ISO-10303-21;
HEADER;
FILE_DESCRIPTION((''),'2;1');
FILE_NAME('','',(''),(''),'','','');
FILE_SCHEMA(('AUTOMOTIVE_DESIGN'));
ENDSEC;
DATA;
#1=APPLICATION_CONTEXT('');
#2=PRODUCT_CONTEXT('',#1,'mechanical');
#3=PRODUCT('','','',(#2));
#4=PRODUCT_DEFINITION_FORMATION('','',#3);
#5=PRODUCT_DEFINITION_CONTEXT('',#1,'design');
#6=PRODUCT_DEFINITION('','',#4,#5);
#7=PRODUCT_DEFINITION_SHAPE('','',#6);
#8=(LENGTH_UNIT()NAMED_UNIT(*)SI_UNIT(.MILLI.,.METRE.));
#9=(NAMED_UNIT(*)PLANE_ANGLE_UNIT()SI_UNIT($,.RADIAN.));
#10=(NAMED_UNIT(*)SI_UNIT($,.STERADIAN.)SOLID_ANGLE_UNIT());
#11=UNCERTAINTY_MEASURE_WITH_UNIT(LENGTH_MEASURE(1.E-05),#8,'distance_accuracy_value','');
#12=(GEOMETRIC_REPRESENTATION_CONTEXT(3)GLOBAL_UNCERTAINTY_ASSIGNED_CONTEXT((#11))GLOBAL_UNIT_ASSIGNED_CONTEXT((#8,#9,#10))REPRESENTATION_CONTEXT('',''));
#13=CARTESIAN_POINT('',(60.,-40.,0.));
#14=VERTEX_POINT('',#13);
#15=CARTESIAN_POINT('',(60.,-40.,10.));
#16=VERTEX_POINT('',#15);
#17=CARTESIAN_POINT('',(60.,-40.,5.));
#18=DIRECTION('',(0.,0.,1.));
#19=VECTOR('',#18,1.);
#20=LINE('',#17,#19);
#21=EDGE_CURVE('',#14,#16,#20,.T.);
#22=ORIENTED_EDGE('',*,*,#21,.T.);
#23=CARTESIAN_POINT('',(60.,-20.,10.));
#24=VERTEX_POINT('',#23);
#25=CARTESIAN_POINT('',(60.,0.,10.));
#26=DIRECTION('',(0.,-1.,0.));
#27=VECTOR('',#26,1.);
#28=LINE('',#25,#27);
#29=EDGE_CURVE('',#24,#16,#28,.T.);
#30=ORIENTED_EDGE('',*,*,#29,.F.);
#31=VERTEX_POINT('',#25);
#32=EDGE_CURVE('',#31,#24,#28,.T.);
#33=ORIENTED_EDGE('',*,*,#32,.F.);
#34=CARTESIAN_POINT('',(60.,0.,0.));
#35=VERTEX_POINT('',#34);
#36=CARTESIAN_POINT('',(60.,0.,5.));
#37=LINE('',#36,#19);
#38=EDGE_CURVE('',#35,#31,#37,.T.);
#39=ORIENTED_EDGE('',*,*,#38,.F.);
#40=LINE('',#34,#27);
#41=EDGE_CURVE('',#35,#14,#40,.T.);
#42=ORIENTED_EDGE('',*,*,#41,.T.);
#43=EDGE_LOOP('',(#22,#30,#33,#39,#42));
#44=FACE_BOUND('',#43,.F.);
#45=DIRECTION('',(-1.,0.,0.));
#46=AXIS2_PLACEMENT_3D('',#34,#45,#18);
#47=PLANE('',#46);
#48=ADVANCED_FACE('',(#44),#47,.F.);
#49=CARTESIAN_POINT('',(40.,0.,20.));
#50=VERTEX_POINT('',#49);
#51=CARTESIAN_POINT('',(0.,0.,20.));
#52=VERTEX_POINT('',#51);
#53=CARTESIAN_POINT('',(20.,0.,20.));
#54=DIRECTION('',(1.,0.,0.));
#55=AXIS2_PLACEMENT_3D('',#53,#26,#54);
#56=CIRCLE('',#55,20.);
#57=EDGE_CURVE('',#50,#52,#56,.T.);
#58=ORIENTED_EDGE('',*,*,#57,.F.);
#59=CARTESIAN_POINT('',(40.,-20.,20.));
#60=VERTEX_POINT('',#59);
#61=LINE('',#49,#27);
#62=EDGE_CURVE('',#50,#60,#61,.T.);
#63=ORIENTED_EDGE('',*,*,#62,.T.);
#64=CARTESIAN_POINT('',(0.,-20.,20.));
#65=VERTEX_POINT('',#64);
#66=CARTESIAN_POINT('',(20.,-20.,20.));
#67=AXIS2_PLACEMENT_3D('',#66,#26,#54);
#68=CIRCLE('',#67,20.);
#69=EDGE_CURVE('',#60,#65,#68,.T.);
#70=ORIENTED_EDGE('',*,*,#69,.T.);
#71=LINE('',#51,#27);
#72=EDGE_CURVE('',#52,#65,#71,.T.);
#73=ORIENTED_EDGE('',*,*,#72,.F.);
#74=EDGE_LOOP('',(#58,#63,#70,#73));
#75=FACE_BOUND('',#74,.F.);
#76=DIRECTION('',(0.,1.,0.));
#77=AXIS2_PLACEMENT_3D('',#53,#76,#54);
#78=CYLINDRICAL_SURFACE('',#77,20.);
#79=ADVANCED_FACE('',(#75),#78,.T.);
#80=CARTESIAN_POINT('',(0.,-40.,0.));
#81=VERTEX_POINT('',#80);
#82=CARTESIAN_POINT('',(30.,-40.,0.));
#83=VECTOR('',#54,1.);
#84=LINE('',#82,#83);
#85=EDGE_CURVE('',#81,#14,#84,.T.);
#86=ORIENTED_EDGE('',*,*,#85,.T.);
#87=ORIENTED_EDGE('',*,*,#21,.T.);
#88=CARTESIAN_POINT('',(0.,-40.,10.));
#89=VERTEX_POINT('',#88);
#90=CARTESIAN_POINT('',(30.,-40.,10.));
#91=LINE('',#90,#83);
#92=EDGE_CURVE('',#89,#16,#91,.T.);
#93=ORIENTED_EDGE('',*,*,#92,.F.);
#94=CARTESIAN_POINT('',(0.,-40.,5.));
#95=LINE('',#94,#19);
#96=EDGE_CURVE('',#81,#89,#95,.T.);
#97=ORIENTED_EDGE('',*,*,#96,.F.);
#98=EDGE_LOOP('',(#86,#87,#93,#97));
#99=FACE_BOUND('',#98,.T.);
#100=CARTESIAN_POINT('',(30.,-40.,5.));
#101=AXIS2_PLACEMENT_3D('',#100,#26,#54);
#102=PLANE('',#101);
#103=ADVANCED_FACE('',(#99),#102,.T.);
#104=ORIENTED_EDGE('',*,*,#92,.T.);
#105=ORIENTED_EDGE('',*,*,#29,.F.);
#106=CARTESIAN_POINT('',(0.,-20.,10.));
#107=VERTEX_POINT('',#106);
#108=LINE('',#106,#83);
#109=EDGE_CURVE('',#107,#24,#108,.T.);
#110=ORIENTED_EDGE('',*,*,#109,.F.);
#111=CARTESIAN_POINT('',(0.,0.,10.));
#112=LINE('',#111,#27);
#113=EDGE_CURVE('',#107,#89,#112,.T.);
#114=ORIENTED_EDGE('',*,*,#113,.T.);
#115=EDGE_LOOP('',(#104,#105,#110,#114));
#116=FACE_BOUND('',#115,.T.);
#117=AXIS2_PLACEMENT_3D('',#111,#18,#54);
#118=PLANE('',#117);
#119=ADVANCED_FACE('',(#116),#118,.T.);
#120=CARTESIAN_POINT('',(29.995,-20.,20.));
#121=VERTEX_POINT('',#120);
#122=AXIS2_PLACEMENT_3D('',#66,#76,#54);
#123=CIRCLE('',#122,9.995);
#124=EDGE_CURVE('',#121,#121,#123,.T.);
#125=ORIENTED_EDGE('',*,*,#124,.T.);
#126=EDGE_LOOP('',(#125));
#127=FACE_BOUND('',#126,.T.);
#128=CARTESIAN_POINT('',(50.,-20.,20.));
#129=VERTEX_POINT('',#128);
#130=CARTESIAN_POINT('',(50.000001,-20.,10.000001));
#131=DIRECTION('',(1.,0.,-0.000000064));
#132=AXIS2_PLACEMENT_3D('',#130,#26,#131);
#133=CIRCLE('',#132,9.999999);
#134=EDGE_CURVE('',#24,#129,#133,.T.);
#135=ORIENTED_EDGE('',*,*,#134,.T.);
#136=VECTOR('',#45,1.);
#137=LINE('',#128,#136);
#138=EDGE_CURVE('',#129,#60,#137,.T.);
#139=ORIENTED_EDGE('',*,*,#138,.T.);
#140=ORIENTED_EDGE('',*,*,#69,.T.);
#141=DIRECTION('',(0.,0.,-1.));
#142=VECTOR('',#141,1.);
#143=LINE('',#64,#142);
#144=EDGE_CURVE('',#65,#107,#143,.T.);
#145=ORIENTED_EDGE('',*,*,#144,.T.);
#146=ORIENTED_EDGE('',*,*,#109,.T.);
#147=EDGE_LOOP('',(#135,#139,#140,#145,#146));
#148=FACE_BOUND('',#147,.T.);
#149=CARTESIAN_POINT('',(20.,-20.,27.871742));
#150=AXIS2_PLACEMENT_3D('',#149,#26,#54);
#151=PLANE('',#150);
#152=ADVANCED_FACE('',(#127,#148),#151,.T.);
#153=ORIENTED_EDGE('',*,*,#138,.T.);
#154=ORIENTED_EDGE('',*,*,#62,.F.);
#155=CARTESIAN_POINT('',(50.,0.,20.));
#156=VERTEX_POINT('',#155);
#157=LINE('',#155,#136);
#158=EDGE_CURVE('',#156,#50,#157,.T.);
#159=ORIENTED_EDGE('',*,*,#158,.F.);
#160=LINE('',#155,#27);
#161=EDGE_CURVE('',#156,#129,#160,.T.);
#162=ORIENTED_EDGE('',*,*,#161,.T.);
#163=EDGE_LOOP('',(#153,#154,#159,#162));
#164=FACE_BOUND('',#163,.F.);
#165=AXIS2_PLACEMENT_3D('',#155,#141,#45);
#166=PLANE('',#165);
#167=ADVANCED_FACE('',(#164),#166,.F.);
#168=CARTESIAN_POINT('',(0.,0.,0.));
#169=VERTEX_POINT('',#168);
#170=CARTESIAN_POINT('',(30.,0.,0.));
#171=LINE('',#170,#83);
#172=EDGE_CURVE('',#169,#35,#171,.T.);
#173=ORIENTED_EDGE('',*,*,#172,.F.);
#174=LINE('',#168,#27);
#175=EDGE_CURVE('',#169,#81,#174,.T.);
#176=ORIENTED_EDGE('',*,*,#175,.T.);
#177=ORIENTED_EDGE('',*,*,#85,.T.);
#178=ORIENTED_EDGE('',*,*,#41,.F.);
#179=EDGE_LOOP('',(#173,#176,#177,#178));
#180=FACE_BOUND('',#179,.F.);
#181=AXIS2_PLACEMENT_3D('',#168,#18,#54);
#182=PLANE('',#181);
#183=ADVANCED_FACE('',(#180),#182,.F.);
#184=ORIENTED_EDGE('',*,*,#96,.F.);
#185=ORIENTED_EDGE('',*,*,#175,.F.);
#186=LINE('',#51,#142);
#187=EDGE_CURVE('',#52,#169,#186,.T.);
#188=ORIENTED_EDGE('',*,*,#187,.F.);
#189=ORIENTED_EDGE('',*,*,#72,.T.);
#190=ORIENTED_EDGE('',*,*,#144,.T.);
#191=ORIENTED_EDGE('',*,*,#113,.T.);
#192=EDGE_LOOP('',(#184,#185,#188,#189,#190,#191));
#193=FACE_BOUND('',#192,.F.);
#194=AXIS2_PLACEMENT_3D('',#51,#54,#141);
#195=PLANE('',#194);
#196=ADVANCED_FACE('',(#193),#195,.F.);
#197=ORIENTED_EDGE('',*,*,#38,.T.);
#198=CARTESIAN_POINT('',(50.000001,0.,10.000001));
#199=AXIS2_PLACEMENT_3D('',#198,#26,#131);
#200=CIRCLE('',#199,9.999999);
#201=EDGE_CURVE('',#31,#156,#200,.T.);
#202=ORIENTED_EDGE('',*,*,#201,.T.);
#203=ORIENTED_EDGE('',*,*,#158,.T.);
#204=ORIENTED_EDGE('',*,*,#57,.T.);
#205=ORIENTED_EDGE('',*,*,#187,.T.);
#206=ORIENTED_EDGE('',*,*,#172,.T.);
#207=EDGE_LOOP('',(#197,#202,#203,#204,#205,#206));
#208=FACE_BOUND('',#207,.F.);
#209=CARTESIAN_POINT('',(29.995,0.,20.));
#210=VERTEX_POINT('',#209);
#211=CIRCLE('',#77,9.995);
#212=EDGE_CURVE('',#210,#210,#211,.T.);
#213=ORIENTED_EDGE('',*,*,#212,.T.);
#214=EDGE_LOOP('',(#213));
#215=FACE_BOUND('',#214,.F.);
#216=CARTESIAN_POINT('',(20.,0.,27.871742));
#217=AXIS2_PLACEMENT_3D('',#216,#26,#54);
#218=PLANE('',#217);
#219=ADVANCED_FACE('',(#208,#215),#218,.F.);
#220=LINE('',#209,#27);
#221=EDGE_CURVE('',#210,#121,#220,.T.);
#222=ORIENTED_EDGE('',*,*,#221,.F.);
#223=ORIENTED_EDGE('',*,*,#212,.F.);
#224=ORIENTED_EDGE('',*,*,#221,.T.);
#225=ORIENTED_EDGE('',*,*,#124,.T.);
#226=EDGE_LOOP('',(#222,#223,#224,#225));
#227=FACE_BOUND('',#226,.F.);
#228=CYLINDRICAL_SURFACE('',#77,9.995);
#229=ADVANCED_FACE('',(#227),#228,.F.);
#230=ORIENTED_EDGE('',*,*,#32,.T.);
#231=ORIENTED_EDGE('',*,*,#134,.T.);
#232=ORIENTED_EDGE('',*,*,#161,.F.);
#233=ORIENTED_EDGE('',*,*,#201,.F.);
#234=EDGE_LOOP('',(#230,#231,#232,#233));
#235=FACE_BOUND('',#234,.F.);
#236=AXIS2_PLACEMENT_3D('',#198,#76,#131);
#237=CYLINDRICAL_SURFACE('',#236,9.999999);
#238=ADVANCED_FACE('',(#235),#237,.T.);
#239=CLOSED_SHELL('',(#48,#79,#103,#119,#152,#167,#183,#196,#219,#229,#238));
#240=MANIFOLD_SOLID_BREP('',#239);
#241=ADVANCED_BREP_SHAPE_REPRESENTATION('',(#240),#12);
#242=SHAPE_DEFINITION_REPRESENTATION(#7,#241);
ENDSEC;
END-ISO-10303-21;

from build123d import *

# Parameters (mm, degrees)
F0_W     = 60
F0_H     = 10
F1_DEPTH = 40
F2_DEPTH = 20


with BuildPart() as f1:
    # F0 (on Front) → F1 (new body)
    with BuildSketch(Plane.XZ):
        with Locations((30, 5)):
            Rectangle(F0_W, F0_H)
    extrude(amount=F1_DEPTH)

    # F0 (on Front) → F2 (join)
    with BuildSketch(Plane.XZ):
        with BuildLine():
            ThreePointArc((40, 20), (20, 40), (0, 20))
            Line((0, 20), (10.005, 20))
            ThreePointArc((10.005, 20), (20, 29.995), (29.995, 20))
            Line((29.995, 20), (40, 20))
        make_face()
        with BuildLine():
            Line((0, 20), (0, 10))
            Line((0, 10), (60, 10))
            ThreePointArc((60, 10), (57.071068, 17.071068), (50, 20))
            Line((50, 20), (40, 20))
            Line((40, 20), (29.995, 20))
            ThreePointArc((29.995, 20), (20, 10.005), (10.005, 20))
            Line((10.005, 20), (0, 20))
        make_face()
    extrude(amount=F2_DEPTH)


solid = f1.part
